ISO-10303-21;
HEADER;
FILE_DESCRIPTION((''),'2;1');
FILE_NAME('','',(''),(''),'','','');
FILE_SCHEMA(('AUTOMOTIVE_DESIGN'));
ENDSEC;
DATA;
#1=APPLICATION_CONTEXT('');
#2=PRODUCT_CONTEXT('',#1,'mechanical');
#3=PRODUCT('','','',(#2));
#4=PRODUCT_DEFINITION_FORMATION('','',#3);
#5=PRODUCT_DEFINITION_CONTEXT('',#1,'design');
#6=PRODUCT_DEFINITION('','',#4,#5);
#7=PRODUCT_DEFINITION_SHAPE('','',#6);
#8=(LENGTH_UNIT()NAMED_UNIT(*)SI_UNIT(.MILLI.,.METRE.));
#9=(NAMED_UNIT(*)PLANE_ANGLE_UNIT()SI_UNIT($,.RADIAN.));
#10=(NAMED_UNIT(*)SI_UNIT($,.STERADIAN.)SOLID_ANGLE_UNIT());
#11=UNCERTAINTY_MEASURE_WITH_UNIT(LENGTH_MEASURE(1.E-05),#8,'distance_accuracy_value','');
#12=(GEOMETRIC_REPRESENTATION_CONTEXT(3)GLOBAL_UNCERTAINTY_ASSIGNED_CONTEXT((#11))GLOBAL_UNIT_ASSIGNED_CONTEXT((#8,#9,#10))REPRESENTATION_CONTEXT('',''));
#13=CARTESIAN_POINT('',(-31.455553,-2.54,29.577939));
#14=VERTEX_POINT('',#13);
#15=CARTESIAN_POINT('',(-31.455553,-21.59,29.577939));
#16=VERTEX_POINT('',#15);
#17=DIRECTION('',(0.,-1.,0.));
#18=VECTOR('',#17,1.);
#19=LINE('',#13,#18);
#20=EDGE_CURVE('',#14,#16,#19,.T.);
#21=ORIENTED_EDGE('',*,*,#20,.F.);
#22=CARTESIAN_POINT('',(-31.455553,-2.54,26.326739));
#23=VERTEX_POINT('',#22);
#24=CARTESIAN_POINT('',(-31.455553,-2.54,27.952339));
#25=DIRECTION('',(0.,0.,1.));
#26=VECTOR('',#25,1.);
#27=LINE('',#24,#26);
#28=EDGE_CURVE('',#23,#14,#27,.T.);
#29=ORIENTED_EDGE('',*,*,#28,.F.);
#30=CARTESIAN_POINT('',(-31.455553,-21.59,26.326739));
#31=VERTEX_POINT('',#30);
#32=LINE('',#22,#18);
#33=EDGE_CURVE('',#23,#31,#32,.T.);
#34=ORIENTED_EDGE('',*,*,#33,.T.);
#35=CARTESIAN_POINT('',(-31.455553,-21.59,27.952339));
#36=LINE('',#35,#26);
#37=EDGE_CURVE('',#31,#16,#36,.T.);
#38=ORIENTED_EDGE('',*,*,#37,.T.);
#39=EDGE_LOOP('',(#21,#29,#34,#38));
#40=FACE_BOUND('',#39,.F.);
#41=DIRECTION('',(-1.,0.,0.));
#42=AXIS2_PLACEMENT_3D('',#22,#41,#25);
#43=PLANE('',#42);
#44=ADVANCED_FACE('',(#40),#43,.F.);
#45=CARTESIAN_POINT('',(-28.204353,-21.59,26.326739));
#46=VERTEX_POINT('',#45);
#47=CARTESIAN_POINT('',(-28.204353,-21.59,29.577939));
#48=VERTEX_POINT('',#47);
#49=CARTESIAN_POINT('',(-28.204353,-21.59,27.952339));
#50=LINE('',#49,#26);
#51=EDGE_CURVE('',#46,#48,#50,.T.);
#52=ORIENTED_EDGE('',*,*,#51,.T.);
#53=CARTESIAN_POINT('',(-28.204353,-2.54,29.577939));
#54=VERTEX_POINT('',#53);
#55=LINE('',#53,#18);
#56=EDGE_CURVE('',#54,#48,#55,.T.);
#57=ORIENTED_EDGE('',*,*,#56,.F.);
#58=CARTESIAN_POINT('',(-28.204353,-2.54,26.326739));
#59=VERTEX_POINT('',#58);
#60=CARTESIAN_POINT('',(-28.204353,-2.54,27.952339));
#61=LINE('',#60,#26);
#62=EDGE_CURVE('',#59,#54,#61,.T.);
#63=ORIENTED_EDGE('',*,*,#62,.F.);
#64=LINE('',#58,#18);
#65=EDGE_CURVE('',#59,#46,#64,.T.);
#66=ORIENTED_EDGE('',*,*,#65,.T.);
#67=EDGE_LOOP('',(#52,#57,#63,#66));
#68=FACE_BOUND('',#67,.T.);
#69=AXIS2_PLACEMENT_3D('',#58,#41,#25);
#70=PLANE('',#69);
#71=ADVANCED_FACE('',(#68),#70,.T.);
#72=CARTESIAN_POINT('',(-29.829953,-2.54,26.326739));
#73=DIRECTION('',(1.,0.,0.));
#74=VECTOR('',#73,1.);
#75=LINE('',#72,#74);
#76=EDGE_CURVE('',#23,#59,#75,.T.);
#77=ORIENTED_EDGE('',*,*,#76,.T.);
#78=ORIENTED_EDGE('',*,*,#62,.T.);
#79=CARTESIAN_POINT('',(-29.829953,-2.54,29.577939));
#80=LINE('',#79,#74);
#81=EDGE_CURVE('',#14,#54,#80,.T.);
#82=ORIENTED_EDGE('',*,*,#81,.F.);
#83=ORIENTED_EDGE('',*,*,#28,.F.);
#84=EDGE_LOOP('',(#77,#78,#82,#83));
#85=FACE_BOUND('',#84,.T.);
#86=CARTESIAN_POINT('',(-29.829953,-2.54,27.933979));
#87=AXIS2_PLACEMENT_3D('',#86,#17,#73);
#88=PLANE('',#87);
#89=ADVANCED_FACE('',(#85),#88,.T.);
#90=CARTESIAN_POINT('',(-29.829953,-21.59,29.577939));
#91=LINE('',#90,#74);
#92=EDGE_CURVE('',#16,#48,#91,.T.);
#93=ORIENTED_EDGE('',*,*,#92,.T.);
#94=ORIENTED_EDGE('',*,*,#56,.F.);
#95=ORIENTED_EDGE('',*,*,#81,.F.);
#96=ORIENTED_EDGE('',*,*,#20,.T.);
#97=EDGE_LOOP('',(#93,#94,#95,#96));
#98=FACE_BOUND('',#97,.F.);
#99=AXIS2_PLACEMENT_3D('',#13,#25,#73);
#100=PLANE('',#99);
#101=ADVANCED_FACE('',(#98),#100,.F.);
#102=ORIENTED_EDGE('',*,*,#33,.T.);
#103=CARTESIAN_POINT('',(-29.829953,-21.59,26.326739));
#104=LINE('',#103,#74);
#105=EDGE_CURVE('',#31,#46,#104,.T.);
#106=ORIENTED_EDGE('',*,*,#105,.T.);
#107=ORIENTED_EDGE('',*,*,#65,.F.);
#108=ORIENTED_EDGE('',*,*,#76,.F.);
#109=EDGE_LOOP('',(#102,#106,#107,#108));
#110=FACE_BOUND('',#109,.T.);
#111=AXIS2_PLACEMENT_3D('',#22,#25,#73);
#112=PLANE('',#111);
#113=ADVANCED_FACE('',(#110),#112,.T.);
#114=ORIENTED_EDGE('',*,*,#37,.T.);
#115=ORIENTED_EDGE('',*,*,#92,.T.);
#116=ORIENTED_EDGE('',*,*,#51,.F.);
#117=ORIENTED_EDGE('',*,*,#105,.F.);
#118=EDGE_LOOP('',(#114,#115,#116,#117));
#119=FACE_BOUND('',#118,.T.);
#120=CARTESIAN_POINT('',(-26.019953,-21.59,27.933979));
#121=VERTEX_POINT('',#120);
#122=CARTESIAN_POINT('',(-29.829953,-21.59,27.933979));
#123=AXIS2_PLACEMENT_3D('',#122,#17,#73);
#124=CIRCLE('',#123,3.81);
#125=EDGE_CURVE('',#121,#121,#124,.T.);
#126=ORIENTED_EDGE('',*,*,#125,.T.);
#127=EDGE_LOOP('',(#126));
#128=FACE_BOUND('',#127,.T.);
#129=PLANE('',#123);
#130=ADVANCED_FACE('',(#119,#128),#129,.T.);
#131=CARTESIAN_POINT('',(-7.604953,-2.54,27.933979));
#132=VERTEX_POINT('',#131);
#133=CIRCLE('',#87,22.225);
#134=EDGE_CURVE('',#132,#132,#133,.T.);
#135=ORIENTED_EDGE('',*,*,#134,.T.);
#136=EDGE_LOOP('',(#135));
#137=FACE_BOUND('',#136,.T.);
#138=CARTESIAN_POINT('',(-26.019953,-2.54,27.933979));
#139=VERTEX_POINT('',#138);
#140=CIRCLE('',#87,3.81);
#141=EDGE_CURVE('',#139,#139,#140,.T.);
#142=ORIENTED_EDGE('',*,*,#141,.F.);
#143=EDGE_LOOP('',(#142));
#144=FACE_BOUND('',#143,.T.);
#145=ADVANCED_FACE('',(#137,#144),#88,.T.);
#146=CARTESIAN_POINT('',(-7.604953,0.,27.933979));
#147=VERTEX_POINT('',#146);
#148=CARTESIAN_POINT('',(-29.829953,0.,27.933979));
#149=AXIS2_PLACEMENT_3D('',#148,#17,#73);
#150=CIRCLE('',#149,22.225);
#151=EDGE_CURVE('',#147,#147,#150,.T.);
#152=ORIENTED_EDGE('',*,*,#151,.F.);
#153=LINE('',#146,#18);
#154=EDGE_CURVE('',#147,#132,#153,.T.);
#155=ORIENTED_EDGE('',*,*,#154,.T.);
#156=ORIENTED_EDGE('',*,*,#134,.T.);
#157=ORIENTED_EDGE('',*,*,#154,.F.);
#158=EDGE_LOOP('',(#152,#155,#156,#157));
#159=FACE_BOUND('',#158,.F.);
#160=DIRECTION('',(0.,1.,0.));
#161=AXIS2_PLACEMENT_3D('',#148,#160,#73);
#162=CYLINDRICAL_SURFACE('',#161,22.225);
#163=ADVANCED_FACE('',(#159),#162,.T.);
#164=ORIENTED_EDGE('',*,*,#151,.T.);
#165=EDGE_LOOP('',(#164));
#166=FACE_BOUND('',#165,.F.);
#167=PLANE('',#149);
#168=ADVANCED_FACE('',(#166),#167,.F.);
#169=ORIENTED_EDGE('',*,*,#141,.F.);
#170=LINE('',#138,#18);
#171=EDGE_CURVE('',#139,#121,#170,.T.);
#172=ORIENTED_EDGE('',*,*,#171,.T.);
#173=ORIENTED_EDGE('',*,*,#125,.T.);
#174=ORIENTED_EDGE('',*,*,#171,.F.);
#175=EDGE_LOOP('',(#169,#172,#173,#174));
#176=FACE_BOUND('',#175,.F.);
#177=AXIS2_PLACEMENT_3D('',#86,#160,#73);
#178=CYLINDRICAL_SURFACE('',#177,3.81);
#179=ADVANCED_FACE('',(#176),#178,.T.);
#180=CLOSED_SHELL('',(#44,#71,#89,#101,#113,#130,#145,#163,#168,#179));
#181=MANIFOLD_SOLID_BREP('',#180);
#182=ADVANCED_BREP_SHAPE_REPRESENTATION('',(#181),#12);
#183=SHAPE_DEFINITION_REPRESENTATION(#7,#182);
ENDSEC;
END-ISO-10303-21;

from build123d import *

# Parameters (mm, degrees)
F0_R     = 22.225
F1_DEPTH = 2.54
F2_R     = 3.81
F2_W     = 3.2512
F2_H     = 3.2512
F3_DEPTH = 19.05


with BuildPart() as f1:
    # F0 (on Front) → F1 (new body)
    with BuildSketch(Plane.XZ):
        with Locations((-29.829953, 27.933979)):
            Circle(F0_R)
    extrude(amount=F1_DEPTH)

    # F2 (on face) → F3 (join)
    with BuildSketch(Plane.XZ.offset(2.54)):
        with Locations((-29.829953, 27.933979)):
            Circle(F2_R)
        with Locations((-29.829953, 27.952339)):
            Rectangle(F2_W, F2_H, mode=Mode.SUBTRACT)
    extrude(amount=F3_DEPTH)


solid = f1.part
